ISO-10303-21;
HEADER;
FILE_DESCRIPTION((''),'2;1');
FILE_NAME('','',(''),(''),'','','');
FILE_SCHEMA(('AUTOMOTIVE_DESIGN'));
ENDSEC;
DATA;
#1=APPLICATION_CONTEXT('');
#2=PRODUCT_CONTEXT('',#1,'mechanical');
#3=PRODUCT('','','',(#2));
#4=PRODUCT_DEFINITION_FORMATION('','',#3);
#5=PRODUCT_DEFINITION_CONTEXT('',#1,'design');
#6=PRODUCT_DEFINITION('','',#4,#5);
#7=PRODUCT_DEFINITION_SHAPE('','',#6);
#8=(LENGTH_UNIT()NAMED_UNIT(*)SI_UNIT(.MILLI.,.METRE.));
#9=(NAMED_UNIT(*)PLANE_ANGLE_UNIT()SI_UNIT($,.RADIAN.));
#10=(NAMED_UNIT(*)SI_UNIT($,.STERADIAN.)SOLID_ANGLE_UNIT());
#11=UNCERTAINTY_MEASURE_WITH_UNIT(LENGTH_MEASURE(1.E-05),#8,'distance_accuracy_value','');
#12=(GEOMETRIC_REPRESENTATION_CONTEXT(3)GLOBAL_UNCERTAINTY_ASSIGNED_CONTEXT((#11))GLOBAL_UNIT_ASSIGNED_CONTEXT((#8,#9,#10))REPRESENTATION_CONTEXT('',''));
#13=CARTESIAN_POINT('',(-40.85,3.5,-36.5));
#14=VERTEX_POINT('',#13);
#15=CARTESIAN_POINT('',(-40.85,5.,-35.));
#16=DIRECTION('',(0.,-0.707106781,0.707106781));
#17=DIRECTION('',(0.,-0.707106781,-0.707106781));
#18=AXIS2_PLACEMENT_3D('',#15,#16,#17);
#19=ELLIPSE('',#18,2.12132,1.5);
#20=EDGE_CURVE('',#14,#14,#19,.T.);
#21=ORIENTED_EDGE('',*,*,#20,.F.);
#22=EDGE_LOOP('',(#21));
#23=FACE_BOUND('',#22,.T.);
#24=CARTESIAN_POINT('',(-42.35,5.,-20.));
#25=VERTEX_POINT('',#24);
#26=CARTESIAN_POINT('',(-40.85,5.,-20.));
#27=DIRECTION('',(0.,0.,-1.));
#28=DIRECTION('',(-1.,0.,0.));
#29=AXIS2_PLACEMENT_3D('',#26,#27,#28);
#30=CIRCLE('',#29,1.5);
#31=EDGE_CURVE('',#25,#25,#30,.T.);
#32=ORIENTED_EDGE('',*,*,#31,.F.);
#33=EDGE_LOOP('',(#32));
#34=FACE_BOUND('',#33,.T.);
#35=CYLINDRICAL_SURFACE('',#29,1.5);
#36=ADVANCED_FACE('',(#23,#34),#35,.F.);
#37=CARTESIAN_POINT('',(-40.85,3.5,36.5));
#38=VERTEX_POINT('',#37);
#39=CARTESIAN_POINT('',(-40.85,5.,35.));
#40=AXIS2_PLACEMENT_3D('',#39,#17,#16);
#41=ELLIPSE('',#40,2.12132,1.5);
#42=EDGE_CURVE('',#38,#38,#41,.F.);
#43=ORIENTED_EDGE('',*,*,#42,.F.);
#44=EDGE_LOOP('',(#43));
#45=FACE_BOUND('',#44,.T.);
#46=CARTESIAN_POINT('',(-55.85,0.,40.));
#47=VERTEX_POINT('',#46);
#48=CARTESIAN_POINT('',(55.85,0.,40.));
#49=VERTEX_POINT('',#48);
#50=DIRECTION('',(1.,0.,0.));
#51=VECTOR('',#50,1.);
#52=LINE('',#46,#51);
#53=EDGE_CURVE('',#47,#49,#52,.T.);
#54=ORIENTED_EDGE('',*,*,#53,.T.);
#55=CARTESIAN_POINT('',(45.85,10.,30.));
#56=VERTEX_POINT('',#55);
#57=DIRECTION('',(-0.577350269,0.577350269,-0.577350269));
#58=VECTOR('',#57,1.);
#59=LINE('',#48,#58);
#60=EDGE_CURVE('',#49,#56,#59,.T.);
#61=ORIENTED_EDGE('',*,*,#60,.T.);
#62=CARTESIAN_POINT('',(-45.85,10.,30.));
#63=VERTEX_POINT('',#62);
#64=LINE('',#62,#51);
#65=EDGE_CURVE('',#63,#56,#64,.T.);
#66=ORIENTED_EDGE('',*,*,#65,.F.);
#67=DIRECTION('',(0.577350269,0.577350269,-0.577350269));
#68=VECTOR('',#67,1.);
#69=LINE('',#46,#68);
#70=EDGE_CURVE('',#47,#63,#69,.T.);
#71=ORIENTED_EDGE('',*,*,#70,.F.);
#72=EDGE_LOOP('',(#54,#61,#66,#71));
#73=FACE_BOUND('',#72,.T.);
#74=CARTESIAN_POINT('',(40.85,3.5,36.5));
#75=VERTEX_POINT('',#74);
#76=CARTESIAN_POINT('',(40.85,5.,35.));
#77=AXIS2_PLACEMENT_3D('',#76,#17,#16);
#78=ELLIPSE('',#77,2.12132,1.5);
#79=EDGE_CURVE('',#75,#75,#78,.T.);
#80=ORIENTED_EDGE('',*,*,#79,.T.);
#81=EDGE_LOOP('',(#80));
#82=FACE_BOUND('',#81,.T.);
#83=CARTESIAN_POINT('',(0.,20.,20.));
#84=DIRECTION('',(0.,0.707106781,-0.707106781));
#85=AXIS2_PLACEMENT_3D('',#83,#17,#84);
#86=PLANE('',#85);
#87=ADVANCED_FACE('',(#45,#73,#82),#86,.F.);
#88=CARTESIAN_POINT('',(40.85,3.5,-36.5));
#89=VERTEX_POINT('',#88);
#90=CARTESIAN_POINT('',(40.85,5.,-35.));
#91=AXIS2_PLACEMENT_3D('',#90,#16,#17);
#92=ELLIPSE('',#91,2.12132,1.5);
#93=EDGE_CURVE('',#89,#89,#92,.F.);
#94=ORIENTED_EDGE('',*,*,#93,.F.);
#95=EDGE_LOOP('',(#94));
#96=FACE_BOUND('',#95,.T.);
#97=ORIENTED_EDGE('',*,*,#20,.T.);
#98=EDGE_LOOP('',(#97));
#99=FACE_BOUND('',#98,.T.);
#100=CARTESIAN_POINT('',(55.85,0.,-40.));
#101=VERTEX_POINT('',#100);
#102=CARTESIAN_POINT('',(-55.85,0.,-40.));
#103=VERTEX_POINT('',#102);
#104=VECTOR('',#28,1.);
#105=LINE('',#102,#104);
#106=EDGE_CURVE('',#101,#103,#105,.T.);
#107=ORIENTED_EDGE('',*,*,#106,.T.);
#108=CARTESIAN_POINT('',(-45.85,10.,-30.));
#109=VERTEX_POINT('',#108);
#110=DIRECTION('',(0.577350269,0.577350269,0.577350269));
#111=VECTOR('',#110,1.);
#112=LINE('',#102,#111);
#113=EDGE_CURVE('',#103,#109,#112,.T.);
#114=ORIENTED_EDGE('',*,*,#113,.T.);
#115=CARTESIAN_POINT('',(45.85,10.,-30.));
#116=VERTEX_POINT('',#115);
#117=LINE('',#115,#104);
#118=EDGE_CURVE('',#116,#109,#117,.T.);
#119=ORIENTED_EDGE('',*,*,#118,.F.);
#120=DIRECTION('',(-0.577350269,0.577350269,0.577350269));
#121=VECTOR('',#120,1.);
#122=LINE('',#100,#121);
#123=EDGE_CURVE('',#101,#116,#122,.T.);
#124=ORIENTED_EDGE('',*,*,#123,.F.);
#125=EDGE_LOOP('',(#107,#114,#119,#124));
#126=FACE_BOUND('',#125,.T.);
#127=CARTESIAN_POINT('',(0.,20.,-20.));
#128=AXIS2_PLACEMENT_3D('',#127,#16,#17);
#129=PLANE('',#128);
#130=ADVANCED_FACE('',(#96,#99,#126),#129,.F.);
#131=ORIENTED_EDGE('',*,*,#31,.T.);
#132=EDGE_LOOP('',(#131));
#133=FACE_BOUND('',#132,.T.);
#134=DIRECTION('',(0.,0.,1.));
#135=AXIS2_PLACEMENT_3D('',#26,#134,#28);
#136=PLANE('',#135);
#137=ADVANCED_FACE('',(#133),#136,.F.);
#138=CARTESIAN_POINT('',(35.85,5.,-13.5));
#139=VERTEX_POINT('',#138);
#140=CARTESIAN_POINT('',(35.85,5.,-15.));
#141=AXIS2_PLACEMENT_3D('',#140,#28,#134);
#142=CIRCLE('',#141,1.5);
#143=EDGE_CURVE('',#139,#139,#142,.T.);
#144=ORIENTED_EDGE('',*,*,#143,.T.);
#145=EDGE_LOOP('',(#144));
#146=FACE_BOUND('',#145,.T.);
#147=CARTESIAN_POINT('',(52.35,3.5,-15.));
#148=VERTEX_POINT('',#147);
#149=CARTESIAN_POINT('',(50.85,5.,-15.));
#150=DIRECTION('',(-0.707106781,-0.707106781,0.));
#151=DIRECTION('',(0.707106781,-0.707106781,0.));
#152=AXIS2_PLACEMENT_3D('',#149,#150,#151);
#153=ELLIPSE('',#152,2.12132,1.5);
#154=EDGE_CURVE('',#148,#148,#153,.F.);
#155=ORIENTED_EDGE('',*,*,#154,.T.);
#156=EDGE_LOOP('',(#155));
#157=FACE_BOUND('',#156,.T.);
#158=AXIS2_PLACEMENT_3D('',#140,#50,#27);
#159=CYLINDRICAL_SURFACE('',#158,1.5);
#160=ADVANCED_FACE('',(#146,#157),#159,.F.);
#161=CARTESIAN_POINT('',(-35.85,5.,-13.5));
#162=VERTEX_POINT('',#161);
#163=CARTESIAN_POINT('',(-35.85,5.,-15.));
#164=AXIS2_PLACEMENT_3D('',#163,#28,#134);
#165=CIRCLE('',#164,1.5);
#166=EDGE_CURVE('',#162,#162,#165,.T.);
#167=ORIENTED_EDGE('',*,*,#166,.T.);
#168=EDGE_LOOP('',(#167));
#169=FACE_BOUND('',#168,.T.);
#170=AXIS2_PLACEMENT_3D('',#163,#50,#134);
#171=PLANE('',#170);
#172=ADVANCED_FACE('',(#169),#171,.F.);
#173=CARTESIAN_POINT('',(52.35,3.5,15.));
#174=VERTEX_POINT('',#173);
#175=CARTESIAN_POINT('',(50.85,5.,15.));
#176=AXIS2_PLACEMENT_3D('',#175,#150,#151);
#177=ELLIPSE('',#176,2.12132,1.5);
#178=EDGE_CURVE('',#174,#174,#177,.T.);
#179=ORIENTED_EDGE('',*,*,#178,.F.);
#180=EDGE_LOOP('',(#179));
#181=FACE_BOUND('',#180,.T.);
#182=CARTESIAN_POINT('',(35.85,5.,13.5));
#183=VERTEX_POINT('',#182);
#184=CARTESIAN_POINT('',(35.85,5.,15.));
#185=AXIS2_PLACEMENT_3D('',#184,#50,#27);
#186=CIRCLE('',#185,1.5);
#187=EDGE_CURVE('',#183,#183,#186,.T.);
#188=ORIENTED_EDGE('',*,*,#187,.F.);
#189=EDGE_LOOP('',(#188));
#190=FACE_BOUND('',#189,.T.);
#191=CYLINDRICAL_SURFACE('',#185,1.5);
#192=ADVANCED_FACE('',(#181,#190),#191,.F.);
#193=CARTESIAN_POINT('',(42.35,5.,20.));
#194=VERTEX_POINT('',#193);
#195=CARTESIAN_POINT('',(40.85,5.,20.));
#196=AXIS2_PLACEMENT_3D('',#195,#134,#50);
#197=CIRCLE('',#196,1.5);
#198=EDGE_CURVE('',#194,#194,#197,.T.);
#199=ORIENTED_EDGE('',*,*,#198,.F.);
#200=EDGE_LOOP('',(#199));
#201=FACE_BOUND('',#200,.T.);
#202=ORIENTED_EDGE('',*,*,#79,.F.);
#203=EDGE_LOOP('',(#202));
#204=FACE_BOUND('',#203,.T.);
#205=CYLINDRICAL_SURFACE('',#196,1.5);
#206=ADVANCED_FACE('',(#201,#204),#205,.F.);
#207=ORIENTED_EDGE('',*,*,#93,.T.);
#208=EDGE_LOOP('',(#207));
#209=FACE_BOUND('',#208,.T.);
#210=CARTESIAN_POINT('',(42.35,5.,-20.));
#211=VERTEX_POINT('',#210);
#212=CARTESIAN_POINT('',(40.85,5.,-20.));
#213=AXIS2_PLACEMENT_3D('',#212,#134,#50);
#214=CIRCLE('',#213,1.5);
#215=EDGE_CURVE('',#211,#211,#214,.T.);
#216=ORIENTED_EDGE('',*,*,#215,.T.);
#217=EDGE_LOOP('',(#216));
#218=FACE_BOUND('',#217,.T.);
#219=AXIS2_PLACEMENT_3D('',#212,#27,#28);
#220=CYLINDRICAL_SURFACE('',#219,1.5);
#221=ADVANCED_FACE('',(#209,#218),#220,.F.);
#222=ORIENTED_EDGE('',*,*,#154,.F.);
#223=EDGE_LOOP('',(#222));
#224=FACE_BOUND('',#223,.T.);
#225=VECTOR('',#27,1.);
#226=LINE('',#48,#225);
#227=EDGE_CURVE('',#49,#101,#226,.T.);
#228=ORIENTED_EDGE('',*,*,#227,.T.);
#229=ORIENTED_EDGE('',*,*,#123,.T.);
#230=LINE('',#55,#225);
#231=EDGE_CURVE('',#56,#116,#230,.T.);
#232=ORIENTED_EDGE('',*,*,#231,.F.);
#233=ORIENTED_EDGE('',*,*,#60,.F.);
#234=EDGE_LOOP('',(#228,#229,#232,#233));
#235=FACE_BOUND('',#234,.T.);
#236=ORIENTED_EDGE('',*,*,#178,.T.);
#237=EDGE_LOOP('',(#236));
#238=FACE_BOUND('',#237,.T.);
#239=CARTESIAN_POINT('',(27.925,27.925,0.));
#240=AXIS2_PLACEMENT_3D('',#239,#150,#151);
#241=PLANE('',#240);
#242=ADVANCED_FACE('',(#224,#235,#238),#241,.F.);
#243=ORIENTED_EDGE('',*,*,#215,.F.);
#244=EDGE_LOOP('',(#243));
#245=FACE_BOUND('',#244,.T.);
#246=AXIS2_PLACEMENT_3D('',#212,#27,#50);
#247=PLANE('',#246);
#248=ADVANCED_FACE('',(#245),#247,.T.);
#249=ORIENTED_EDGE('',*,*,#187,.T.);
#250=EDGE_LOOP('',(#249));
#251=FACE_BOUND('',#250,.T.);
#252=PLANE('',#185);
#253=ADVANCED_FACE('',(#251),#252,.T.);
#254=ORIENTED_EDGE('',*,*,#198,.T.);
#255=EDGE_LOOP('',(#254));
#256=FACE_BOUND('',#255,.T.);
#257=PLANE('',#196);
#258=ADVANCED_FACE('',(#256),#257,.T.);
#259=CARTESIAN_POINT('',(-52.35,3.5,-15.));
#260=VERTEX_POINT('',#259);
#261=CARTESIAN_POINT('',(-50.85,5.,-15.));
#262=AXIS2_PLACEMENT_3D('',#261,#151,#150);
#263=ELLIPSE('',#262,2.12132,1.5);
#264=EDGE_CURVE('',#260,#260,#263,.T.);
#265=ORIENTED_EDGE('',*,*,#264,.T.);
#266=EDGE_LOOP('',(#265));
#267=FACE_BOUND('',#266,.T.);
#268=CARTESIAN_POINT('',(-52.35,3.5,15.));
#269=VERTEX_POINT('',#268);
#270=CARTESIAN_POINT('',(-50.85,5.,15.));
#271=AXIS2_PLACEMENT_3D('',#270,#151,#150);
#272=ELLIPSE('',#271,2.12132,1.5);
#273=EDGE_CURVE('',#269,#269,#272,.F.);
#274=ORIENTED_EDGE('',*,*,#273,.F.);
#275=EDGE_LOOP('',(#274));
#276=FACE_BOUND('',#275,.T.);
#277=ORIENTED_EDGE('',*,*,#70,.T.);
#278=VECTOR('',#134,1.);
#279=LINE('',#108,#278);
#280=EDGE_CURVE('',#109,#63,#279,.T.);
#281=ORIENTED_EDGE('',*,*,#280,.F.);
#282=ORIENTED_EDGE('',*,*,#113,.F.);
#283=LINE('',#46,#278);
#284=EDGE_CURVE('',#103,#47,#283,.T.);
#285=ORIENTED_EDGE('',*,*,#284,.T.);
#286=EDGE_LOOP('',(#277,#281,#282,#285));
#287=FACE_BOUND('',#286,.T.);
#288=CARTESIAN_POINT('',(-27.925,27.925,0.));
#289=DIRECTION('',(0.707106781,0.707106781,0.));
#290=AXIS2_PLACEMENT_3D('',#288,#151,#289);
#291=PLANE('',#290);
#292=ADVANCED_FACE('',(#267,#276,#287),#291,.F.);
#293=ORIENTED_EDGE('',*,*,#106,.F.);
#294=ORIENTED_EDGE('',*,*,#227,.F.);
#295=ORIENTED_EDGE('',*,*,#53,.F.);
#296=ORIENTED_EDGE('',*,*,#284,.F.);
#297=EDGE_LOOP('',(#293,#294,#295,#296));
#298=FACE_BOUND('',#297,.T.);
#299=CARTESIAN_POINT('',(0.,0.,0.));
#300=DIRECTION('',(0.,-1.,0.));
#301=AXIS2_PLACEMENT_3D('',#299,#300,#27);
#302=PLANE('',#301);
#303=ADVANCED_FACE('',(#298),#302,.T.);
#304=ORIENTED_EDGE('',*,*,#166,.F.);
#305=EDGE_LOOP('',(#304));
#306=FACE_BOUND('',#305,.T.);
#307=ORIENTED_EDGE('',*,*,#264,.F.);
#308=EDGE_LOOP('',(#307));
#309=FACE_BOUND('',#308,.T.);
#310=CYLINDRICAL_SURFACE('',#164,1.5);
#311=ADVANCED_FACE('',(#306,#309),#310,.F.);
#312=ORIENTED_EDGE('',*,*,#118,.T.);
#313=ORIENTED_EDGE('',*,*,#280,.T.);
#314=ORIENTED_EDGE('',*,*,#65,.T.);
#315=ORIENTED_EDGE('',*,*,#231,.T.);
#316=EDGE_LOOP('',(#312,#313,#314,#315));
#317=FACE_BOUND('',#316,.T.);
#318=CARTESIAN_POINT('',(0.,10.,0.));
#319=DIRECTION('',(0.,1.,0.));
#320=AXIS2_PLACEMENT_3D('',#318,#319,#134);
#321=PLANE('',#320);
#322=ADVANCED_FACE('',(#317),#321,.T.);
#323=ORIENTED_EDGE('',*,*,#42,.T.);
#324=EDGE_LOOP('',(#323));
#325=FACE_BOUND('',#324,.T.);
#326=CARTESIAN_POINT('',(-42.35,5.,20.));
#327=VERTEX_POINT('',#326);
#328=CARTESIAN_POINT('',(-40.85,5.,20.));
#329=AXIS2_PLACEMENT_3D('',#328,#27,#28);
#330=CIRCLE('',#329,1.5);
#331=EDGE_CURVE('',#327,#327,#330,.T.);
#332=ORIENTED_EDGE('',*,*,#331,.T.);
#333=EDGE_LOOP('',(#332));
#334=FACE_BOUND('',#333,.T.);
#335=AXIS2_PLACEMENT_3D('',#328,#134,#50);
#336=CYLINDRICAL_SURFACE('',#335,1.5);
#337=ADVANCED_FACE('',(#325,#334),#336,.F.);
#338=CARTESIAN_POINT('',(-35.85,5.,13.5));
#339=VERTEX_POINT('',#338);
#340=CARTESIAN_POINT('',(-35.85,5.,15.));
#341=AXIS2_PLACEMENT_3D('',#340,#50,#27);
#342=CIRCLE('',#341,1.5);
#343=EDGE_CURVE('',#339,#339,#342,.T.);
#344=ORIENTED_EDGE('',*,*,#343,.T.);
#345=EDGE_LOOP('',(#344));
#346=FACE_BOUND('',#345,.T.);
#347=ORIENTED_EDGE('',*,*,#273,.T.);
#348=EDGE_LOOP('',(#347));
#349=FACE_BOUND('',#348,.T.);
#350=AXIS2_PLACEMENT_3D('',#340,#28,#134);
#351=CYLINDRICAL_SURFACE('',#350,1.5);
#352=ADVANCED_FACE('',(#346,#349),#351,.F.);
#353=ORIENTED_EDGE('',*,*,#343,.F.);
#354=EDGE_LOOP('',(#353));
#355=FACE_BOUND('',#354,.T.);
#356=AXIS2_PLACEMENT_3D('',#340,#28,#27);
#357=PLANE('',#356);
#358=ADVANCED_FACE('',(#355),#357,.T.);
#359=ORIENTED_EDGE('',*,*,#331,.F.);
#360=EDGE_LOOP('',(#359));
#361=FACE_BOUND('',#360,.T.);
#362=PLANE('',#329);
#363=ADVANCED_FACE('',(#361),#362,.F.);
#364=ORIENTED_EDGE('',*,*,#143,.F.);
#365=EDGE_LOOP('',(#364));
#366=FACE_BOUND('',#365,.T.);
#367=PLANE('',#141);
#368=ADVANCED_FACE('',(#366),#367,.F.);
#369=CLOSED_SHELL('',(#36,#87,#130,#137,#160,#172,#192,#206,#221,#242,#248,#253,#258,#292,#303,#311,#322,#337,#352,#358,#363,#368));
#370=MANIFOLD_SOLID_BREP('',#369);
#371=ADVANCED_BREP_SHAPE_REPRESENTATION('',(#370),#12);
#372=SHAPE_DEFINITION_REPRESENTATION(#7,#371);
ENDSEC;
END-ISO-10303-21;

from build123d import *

# Parameters (mm, degrees)
SKETCH_3_R          = 1.5
CUT_EXTRUDE_1_DEPTH = 20
SKETCH_4_R          = 1.5
CUT_EXTRUDE_2_DEPTH = 20


with BuildPart() as part:
    # Эскиз1 → По сечениям1 section 0
    with BuildSketch(Plane(origin=(0, 0, 0), x_dir=(1, 0, 0), z_dir=(0, 1, 0))):
        with BuildLine():
            Line((-55.85, -40), (55.85, -40))
            Line((55.85, -40), (55.85, 40))
            Line((55.85, 40), (-55.85, 40))
            Line((-55.85, 40), (-55.85, -40))
        make_face()
    # Эскиз2 → По сечениям1 section 1
    with BuildSketch(Plane(origin=(0, 10, 0), x_dir=(1, 0, 0), z_dir=(0, 1, 0))):
        with BuildLine():
            Line((45.85, 30), (-45.85, 30))
            Line((-45.85, 30), (-45.85, -30))
            Line((-45.85, -30), (45.85, -30))
            Line((45.85, -30), (45.85, 30))
        make_face()
    loft()

    # Эскиз3 → Вырез-Вытянуть1 (cut)
    with BuildSketch(Plane.XY.offset(40)):
        with Locations((40.85, 5)):
            Circle(SKETCH_3_R)
        with Locations(Location((-40.85, 5, 0), (0, 0, 270))):
            Circle(SKETCH_3_R)
    cut_extrude_1 = extrude(amount=-CUT_EXTRUDE_1_DEPTH, mode=Mode.SUBTRACT)

    # Зеркальное отражение1: Вырез-Вытянуть1 across plane
    add(cut_extrude_1.mirror(Plane.XY), mode=Mode.SUBTRACT)

    # Эскиз4 → Вырез-Вытянуть2 (cut)
    with BuildSketch(Plane(origin=(55.85, 0, 0), x_dir=(0, 0, -1), z_dir=(1, 0, 0))):
        with Locations((-15, 5)):
            Circle(SKETCH_4_R)
        with Locations(Location((15, 5, 0), (0, 0, 270))):
            Circle(SKETCH_4_R)
    cut_extrude_2 = extrude(amount=-CUT_EXTRUDE_2_DEPTH, mode=Mode.SUBTRACT)

    # Зеркальное отражение2: Вырез-Вытянуть2 across plane
    add(cut_extrude_2.mirror(Plane(origin=(0, 0, 0), x_dir=(0, 0, 1), z_dir=(1, 0, 0))), mode=Mode.SUBTRACT)


solid = part.part
